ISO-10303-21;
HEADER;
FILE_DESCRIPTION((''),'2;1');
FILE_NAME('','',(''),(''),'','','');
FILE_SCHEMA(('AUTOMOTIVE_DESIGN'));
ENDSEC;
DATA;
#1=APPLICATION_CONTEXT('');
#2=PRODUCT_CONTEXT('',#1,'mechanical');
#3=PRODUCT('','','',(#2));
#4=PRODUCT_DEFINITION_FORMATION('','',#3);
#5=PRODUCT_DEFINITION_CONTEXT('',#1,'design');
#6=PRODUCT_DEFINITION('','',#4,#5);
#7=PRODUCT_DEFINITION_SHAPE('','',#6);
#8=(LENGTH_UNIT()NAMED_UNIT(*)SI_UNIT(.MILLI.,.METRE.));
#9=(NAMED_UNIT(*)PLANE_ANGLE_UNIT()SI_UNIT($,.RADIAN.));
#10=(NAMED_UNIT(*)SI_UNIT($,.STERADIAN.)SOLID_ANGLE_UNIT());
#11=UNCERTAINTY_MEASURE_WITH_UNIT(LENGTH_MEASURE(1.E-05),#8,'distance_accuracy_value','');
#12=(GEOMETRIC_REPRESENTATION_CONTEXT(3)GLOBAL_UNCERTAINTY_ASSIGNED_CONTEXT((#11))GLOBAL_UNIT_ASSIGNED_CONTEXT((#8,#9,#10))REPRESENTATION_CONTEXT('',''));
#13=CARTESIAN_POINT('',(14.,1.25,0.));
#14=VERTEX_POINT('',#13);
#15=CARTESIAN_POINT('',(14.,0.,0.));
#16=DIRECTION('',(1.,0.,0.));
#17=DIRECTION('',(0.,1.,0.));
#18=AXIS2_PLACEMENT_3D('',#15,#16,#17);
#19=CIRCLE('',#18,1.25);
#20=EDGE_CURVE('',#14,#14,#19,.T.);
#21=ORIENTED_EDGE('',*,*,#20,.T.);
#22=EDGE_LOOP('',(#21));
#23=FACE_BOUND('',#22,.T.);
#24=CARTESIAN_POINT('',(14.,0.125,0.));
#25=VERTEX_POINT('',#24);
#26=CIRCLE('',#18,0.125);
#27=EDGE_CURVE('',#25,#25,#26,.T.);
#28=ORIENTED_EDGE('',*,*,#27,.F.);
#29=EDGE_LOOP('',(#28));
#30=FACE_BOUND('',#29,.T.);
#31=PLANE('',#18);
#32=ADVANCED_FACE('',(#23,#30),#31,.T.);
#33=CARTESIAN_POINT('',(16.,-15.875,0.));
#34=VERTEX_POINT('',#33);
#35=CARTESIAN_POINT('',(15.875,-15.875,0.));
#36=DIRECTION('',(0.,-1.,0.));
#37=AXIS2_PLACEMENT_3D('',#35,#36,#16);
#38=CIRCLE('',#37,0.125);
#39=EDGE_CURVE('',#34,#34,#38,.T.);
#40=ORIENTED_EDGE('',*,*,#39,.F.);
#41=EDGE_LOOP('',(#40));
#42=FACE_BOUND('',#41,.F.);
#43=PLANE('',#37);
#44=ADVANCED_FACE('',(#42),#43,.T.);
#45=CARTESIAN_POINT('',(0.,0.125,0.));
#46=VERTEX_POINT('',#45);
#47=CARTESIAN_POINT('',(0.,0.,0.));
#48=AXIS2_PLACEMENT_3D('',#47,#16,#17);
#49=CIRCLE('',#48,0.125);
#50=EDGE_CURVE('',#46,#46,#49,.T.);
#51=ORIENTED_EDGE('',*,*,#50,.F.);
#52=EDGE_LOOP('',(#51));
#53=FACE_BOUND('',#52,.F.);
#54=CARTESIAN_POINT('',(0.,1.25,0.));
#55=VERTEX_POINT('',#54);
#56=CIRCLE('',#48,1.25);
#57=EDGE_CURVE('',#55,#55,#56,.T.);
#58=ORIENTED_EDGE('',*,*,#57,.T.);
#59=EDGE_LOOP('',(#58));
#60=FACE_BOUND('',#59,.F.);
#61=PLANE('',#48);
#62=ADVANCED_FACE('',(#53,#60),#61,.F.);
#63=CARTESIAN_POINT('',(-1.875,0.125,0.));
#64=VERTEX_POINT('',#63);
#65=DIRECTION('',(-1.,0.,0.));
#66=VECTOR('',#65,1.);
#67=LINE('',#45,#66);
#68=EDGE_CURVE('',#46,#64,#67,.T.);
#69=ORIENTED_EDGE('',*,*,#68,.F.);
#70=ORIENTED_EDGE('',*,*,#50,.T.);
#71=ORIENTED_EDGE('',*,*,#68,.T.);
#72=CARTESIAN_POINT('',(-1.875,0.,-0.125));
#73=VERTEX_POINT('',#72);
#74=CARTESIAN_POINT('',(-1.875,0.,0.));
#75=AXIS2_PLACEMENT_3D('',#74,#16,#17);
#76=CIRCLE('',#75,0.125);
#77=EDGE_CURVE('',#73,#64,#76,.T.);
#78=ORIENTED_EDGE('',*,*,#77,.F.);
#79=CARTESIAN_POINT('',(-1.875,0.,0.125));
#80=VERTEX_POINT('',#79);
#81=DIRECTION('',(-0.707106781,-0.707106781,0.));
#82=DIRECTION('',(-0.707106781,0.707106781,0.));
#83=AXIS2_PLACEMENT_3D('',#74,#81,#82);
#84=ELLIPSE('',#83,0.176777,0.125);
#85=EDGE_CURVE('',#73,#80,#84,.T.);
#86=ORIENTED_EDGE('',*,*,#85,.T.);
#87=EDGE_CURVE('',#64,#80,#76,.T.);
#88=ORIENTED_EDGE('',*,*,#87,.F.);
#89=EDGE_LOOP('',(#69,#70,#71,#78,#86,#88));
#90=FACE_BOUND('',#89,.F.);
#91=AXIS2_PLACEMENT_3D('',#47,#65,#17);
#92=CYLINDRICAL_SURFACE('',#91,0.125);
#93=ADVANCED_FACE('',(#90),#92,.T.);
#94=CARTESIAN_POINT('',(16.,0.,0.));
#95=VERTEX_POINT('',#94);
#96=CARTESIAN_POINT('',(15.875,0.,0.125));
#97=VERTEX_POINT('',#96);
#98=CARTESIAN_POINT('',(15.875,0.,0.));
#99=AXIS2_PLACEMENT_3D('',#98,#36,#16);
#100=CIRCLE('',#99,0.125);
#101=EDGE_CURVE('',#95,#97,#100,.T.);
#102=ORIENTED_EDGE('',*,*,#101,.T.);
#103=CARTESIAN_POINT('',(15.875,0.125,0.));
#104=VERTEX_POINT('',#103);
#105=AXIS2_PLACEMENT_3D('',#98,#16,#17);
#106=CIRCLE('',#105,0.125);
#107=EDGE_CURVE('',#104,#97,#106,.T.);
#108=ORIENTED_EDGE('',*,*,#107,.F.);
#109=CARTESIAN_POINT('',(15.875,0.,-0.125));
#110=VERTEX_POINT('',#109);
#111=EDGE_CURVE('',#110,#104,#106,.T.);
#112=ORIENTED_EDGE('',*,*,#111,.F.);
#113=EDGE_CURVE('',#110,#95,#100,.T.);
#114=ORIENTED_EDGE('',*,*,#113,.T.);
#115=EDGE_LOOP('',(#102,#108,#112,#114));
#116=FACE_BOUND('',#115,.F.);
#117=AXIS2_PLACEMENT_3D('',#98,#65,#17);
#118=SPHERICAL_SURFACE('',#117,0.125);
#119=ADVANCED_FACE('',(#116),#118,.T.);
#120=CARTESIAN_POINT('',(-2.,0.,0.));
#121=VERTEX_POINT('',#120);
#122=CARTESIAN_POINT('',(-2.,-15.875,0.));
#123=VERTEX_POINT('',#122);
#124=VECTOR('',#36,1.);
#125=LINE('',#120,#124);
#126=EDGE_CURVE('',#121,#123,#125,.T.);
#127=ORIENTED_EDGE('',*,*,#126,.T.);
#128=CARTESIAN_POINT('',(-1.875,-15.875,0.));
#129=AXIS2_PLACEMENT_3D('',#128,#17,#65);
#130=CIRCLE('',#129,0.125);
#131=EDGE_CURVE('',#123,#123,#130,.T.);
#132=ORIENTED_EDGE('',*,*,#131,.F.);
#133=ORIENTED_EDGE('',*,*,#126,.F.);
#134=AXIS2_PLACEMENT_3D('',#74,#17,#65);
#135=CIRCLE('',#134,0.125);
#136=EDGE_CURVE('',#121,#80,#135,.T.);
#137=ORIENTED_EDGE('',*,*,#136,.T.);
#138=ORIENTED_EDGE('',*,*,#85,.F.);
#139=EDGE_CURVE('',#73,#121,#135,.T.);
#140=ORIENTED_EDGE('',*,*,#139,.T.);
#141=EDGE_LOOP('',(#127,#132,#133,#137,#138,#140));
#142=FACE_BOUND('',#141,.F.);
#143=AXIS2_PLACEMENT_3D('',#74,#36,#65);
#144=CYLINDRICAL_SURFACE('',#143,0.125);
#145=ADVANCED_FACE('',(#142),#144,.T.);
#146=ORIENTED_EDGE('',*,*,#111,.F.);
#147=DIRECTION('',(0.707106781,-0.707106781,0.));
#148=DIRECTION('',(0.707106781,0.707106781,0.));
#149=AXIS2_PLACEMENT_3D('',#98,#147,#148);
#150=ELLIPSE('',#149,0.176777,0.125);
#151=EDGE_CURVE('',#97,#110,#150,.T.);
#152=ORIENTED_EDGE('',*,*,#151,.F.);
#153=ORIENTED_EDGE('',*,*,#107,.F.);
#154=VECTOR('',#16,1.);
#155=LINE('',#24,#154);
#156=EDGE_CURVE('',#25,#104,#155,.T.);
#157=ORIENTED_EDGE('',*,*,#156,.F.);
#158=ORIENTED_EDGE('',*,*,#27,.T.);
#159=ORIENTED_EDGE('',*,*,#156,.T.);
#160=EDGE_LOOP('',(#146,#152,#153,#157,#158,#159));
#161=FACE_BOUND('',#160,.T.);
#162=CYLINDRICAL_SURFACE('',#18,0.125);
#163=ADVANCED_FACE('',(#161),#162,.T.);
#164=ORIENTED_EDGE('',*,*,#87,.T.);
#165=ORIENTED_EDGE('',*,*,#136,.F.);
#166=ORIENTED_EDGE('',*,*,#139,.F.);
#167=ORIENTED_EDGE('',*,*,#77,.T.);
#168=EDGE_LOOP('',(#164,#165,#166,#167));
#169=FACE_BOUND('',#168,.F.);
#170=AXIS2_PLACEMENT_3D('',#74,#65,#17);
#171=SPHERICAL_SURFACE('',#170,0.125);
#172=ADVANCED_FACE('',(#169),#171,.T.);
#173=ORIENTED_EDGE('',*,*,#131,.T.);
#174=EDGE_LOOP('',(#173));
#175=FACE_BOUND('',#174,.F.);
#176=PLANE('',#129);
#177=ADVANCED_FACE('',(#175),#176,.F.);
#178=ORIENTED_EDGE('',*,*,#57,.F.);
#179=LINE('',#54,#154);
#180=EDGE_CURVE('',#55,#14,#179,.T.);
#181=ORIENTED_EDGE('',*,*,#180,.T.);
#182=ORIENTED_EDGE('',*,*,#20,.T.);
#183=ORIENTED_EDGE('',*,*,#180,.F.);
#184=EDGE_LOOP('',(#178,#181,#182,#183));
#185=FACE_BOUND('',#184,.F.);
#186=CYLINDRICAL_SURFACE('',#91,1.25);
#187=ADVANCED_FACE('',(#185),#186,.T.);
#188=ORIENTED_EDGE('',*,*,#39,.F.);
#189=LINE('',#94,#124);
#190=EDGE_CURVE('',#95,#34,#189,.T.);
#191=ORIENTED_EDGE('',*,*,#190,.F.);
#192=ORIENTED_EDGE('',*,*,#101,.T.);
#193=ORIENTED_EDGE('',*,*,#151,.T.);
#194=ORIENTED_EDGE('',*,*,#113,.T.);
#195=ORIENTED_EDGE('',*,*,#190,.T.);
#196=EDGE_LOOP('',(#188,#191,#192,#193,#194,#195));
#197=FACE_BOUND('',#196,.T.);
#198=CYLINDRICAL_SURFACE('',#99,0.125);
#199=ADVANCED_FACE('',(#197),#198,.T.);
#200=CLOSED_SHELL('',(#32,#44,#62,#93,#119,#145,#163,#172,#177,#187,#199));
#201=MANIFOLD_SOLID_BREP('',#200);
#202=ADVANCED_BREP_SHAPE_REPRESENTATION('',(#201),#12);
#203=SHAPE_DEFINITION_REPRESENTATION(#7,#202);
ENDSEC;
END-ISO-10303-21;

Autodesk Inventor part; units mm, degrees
ref_plane "YZ Plane" through (0, 0, 0) normal (1, 0, 0) x (0, 1, 0)
ref_plane "XZ Plane" through (0, 0, 0) normal (0, 1, 0) x (-1, 0, 0)
ref_plane "XY Plane" through (0, 0, 0) normal (0, 0, 1) x (1, 0, 0)
sketch "Sketch2" plane through (0, 0, 0) normal (1, 0, 0) x (0, 1, 0)
  circle A0 centre (0, 0) radius 1.25
  dimension "d8" = 2.5
extrude "Extrusion1" add sketch "Sketch2" along normal blind 14
sketch "Sketch6" plane through (0, 0, 0) normal (0, 0, 1) x (1, 0, 0)
  line L0 (14, -1.25) -> (14, 1.25) projected
  line L1 (14, 0) -> (14, 0.125)
  line L2 (14, 0.125) -> (15.875, 0.125)
  line L3 (16, 0) -> (16, -15.875)
  line L4 (14, 0) -> (15.875, 0)
  line L5 (15.875, 0) -> (15.875, -15.875)
  line L6 (15.875, -15.875) -> (16, -15.875)
  line L7 (15.875, 0) -> (16, 0)
  line L8 (17.9417, 0) -> (15.75, 0)
  arc A0 (15.875, -0.125) -> (15.75, 0) centre (15.75, -0.125) ccw
  line L9 (15.75, 0) -> (16, 0)
  line L10 (0, 0) -> (0, 0.125)
  line L11 (0, 0.125) -> (-1.875, 0.125)
  line L12 (-2, 0) -> (-2, -15.875)
  line L13 (-2, -15.875) -> (-1.875, -15.875)
  line L14 (-1.875, -15.875) -> (-1.875, -0.125)
  line L15 (-1.75, 0) -> (0, 0)
  arc A1 (-1.875, 0.125) -> (-2, 0) centre (-1.875, 0) ccw
  arc A2 (-1.75, 0) -> (-1.875, -0.125) centre (-1.75, -0.125) ccw
  line L16 (-1.75, 0) -> (-2, 0)
  line L17 (-1.875, -0.125) -> (-1.875, 0)
  arc A3 (16, 0) -> (15.875, 0.125) centre (15.875, 0) ccw
  point P0 (16, 0.125)
  point P1 (18.875, 0.125)
  point P2 (-2, 0.125)
  point P3 (-1.875, 0)
  dimension "d16" = 0.125
  dimension "d17" = 2
  dimension "d18" = 16
  dimension "d19" = 1.875
  dimension "d26" = 0.125
  dimension "d27" = 2
  dimension "d28" = 0.125
  dimension "d29" = 0.125
  dimension "d30" = 0.125
  dimension "d33" = 0.125
  dimension "d35" = 16
revolve "Revolution2" add sketch "Sketch6" angle 360 about axis through (14, 0, 0) along (1, 0, 0) contours L0 L2 A3 L7 L4
revolve "Revolution3" add sketch "Sketch6" angle 360 about axis through (15.875, 0, 0) along (0, -1, 0) contours L7 L3 L6 L5
revolve "Revolution4" add sketch "Sketch6" angle 360 about axis through (-1.75, 0, 0) along (1, 0, 0) contours L15 L16 A1 L11 L10
revolve "Revolution5" add sketch "Sketch6" angle 360 about axis through (-1.875, -15.875, 0) along (0, 1, 0) contours L14 L13 L12 L16 L17
equation "\"d27\" = d17"
equation "\"d35\" = d18"
properties part number "Reed Switch Frontal" material "Aluminum 6061"
